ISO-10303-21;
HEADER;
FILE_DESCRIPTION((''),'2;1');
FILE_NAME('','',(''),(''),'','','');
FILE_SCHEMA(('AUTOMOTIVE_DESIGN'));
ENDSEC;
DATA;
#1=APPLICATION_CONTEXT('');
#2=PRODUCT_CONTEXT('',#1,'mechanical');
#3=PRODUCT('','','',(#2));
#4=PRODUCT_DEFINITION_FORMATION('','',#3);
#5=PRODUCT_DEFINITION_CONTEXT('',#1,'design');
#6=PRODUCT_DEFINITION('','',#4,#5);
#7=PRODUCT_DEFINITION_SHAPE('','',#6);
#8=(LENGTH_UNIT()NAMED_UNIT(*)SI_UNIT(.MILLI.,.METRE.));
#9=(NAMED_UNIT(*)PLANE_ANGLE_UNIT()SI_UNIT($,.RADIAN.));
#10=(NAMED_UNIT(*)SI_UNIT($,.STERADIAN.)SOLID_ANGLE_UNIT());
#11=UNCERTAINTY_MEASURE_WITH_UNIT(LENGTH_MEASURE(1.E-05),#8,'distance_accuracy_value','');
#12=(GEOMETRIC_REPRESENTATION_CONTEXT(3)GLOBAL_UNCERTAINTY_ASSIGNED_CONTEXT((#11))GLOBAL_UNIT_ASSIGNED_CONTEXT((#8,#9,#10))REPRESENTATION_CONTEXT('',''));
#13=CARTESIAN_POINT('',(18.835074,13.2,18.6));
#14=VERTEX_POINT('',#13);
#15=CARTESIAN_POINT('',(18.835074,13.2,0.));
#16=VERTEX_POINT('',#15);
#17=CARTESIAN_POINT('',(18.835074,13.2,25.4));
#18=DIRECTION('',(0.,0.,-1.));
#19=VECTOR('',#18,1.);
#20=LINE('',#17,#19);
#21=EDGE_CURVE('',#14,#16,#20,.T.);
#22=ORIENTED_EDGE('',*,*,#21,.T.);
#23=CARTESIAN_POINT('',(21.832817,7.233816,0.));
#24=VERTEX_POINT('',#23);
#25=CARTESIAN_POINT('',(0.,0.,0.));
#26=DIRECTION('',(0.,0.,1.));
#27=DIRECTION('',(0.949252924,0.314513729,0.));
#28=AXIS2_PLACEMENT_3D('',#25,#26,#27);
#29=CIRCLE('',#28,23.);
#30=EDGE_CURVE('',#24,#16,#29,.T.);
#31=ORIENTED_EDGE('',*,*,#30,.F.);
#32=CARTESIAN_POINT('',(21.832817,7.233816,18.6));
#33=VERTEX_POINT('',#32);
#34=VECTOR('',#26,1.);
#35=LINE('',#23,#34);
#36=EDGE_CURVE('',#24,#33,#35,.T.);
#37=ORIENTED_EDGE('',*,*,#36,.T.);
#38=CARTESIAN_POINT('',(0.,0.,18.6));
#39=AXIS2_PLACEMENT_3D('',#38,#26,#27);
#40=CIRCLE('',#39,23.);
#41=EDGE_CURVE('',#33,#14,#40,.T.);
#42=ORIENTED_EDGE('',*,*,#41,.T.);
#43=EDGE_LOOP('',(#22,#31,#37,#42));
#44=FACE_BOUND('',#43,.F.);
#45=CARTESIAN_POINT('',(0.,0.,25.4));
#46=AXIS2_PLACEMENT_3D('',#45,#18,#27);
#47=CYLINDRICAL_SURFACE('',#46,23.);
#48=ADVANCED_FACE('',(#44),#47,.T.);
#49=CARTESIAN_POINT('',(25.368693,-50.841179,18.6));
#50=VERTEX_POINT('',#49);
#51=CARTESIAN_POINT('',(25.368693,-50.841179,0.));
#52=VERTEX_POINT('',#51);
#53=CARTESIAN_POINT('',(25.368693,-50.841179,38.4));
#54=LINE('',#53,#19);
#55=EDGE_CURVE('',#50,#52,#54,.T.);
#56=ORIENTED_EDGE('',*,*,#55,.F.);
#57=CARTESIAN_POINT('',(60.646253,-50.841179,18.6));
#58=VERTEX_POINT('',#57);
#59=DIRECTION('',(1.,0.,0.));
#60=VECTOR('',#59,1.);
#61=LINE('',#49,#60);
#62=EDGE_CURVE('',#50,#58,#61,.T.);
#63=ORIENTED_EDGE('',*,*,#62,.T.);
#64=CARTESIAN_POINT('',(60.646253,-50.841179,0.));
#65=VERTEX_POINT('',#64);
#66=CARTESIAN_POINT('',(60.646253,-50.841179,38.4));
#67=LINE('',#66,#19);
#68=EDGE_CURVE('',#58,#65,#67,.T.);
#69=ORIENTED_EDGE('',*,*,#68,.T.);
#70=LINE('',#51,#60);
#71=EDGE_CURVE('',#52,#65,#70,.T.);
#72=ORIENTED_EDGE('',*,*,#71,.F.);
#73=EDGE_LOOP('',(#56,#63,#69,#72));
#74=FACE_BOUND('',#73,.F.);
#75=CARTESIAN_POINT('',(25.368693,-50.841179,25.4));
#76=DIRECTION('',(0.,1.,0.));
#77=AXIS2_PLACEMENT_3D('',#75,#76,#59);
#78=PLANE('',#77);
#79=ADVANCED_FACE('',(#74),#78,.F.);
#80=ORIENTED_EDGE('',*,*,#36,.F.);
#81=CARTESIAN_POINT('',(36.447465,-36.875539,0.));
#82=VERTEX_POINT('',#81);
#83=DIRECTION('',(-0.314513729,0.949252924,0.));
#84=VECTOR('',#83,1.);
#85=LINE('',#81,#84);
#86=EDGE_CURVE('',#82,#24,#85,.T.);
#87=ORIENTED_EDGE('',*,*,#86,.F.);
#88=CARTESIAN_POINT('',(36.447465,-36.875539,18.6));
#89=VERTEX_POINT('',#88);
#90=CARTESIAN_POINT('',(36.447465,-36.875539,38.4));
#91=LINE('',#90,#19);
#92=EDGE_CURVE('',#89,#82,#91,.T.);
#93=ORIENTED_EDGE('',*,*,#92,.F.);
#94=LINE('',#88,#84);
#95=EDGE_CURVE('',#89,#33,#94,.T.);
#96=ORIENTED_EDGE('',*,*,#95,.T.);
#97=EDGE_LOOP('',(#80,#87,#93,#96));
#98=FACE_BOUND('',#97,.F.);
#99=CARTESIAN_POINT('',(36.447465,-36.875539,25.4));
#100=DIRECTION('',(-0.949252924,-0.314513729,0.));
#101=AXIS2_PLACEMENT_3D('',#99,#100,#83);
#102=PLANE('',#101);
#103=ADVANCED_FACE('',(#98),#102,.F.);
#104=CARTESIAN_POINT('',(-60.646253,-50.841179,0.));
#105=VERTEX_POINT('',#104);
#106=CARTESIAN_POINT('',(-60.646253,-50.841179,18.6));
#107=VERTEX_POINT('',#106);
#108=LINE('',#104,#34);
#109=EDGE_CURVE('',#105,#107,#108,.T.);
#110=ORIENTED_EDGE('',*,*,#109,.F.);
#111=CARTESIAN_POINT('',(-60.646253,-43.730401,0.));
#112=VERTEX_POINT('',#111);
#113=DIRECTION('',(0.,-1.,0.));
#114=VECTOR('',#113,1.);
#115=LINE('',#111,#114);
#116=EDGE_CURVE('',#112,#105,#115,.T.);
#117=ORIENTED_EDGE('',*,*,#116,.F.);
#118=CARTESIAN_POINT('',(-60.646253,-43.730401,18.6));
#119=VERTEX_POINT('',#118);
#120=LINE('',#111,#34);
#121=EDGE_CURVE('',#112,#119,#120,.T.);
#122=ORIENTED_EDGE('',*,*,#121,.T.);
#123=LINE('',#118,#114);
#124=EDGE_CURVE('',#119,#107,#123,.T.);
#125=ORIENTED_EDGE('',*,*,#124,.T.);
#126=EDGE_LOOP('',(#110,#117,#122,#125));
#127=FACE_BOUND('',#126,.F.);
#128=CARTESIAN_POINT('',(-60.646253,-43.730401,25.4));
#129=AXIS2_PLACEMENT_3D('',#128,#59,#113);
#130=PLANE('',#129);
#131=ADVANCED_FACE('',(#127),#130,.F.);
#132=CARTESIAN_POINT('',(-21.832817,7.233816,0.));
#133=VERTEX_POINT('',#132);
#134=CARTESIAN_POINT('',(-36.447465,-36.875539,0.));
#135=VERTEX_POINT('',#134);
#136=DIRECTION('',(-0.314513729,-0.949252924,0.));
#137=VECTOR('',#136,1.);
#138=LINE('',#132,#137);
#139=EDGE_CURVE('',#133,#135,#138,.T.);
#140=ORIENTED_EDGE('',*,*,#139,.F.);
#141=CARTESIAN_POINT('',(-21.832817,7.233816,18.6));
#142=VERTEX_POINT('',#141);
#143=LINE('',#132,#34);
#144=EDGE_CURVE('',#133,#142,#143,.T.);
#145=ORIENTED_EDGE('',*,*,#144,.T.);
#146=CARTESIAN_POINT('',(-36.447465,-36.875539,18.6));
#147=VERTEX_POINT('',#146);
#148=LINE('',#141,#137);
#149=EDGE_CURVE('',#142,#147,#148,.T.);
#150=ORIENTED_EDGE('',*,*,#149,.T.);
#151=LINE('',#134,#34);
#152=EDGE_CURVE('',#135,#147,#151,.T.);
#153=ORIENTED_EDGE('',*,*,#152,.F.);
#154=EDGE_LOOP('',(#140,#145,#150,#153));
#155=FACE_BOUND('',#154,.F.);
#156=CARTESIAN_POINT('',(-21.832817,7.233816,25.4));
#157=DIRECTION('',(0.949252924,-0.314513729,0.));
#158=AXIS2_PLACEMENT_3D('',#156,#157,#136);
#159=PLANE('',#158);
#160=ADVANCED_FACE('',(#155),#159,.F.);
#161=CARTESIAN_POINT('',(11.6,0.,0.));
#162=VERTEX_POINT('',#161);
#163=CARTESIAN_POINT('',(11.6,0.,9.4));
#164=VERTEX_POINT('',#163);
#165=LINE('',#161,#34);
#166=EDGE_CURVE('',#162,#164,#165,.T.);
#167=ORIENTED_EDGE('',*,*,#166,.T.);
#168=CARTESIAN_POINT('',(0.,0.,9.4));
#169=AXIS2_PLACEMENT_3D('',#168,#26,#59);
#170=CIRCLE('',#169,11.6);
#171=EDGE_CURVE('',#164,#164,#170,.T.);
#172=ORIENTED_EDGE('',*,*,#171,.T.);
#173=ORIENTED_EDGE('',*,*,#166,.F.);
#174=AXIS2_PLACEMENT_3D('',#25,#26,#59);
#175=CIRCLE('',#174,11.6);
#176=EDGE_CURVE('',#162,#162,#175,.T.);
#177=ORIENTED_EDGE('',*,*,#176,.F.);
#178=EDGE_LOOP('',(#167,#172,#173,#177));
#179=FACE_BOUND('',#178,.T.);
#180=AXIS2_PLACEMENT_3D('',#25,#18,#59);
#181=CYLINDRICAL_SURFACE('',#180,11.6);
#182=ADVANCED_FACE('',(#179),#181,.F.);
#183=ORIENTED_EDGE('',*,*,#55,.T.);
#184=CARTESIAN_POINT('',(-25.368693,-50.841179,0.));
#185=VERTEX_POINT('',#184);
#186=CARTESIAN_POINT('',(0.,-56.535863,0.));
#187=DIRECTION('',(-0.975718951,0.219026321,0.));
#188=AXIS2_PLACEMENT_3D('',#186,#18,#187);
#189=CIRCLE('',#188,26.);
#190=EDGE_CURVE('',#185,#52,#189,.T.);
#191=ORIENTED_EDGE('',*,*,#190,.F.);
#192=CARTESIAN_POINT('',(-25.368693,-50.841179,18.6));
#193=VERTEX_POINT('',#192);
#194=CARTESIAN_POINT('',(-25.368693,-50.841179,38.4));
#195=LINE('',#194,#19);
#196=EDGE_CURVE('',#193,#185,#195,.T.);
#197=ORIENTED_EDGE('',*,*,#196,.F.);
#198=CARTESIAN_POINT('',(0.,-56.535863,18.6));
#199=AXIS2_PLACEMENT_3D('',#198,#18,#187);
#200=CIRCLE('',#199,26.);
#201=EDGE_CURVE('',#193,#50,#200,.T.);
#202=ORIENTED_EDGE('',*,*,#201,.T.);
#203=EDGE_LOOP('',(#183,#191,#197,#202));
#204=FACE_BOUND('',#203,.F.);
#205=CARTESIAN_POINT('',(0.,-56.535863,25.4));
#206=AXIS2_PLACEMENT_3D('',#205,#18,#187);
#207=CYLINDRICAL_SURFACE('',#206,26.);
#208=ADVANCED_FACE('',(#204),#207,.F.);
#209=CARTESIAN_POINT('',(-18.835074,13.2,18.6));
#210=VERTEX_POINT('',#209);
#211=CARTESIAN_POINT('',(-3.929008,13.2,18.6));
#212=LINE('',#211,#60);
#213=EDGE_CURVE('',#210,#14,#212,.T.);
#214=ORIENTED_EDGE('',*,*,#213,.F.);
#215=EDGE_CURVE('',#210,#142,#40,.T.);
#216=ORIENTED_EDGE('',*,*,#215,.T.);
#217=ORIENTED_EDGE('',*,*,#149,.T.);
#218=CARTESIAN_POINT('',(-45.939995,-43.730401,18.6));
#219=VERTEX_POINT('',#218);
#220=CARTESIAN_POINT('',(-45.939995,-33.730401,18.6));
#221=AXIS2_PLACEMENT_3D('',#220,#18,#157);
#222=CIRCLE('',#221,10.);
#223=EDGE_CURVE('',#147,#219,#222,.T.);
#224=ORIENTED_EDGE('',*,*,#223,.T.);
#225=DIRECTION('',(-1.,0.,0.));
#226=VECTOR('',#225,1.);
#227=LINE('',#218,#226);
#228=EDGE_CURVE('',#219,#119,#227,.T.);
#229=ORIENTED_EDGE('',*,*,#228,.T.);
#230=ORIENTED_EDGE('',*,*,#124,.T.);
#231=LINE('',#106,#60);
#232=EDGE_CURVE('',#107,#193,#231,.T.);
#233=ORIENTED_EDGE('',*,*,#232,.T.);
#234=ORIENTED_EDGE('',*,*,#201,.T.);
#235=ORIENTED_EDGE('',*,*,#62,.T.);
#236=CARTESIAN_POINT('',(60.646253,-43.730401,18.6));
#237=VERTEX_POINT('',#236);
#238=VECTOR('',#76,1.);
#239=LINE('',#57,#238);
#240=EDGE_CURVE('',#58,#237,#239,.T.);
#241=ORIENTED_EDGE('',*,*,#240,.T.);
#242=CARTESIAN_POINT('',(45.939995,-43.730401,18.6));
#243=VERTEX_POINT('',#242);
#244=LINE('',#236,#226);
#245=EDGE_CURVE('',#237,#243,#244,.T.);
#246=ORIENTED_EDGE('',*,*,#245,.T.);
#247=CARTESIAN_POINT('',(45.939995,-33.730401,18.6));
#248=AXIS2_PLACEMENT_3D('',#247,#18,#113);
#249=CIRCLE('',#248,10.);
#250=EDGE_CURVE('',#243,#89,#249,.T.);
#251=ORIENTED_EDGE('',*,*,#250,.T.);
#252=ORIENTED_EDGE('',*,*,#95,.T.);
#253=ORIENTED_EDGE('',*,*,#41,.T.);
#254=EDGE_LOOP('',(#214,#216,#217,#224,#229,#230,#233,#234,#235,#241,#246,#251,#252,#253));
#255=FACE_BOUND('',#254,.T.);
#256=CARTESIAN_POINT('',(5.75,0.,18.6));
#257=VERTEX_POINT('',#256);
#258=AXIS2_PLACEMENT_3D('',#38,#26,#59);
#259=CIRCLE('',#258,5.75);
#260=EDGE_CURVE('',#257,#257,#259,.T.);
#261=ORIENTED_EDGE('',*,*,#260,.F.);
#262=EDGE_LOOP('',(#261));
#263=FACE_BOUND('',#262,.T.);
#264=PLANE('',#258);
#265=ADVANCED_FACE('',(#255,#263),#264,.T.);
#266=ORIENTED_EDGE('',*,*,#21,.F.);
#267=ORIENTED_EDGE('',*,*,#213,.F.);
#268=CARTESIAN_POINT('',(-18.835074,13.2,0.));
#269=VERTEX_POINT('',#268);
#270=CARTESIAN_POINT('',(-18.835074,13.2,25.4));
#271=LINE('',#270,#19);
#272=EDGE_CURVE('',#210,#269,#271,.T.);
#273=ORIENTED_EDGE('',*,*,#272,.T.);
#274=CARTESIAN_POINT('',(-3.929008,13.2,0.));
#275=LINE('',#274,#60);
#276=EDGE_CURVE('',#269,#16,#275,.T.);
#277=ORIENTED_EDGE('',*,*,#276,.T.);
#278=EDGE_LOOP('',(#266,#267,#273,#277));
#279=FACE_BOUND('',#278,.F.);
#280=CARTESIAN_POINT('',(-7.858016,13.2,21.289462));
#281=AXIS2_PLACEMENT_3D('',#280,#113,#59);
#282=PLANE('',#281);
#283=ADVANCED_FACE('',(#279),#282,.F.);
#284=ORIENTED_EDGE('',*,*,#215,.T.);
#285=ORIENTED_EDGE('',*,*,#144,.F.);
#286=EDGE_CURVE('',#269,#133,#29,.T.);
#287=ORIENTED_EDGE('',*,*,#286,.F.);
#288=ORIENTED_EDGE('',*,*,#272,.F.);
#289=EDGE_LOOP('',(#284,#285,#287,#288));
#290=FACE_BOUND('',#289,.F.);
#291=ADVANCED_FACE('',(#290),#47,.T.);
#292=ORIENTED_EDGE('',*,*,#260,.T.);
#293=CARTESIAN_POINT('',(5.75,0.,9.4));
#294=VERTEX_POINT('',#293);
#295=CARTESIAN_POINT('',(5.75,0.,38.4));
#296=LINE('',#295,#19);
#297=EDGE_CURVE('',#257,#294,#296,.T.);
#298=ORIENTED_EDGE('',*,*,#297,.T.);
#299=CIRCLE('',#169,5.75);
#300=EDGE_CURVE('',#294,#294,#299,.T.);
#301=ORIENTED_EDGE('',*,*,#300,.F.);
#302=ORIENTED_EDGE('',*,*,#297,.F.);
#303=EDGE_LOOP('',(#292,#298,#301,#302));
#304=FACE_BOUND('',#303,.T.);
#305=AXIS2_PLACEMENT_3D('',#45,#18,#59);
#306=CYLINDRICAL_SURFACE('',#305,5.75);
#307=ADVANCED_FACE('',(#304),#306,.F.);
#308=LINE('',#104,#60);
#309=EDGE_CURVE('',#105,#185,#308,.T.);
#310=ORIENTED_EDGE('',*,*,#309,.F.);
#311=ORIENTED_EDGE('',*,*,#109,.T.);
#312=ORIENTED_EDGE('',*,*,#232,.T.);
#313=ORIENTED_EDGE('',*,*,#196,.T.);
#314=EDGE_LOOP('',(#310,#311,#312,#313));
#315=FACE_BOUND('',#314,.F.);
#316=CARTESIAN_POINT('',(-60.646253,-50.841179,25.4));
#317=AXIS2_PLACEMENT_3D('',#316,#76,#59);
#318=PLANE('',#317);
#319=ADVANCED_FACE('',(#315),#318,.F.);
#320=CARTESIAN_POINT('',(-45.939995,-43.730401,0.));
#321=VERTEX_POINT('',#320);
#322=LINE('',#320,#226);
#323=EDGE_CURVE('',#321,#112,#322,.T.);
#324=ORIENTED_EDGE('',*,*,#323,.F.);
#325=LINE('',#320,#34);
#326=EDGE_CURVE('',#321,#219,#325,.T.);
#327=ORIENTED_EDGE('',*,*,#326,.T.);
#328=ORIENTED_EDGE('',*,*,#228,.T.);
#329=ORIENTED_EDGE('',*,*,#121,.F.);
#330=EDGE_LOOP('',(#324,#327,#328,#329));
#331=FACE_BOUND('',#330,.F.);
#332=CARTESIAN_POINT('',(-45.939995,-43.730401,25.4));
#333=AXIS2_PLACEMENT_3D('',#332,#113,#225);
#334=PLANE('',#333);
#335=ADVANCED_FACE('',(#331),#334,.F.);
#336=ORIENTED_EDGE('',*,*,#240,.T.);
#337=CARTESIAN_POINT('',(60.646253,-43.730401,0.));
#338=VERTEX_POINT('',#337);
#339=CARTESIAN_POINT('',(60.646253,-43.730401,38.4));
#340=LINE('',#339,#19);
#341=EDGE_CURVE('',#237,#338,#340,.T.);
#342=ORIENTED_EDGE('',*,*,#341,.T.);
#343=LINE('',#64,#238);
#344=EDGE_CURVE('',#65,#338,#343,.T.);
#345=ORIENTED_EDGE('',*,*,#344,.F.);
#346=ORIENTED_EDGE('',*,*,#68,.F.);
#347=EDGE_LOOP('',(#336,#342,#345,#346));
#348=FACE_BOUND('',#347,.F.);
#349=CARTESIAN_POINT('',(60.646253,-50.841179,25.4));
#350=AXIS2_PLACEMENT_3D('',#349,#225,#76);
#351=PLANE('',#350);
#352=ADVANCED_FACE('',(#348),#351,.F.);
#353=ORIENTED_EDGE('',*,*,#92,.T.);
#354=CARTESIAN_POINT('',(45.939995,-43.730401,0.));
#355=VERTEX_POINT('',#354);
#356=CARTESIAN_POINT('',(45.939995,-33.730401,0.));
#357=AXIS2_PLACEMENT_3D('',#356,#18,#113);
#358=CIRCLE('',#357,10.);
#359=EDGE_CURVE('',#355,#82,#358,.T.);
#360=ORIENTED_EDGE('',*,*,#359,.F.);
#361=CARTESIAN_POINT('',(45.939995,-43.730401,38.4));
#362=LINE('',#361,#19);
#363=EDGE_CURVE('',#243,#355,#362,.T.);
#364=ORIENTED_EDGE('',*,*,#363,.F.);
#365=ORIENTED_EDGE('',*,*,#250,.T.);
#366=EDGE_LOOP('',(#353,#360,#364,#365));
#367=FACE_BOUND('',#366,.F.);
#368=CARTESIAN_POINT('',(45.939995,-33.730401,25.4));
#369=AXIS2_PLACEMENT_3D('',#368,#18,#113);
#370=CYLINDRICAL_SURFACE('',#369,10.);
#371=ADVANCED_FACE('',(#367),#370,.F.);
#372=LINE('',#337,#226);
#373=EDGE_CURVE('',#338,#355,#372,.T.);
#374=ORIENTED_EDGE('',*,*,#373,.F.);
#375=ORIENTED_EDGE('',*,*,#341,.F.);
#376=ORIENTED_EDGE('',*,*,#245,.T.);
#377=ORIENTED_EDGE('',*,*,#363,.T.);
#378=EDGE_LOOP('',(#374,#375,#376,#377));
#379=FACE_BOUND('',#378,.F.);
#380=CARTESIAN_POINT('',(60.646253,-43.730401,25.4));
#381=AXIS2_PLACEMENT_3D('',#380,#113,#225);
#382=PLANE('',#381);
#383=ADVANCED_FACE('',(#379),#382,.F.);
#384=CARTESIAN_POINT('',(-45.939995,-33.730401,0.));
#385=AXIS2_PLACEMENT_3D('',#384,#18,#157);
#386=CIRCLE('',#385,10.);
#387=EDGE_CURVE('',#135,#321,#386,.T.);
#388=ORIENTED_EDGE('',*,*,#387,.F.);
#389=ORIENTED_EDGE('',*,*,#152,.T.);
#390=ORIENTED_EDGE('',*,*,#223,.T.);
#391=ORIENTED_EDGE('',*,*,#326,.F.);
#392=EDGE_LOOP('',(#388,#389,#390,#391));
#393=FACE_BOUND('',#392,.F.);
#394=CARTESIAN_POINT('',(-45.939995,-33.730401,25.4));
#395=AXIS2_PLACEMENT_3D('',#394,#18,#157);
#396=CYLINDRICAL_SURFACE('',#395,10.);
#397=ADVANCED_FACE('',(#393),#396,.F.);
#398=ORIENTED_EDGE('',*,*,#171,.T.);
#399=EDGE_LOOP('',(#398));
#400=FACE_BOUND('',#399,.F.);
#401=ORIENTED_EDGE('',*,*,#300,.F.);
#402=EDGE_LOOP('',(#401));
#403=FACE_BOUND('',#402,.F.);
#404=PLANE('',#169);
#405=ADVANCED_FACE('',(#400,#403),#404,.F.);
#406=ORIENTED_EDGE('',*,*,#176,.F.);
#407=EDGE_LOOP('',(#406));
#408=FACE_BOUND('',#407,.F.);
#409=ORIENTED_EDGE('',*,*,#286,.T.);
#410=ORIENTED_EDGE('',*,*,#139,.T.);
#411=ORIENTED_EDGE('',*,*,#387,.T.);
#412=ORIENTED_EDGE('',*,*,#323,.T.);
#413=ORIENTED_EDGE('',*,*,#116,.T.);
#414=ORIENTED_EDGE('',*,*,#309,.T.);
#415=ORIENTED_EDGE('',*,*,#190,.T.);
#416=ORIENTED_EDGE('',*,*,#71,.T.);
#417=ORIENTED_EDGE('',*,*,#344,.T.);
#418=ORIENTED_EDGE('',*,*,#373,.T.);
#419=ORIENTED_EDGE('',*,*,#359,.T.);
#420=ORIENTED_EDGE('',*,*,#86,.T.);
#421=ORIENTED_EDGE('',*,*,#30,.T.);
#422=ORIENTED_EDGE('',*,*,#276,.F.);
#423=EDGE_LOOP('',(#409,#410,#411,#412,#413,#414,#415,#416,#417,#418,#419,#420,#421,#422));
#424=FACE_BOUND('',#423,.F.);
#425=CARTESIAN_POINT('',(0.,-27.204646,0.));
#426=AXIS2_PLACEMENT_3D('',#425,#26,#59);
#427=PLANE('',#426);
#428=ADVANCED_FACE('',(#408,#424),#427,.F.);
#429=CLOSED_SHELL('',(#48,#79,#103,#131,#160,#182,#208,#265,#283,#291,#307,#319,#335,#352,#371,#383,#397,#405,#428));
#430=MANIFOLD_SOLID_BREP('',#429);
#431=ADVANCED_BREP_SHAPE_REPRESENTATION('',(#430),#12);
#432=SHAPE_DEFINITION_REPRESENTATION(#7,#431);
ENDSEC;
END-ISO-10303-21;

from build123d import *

# Parameters (mm, degrees)
F0_R      = 11.6
F1_DEPTH  = 25.4
F2_R      = 11.6
F2_R_2    = 5.75
F3_DEPTH  = 16
F4_R      = 2.6054950693
F5_DEPTH  = 25
F6_DEPTH  = 13
F7_DEPTH  = 13
F8_DEPTH  = 25
F10_START = -13.2
F9_W      = 101.4740765095
F9_H      = 163.1420962512
F10_DEPTH = 15.6
F11_DEPTH = 19.8


with BuildPart() as f1:
    # F0 (on Top) → F1 (new body)
    with BuildSketch(Plane.XY):
        with BuildLine():
            Line((36.4474654198, -36.875538528), (21.8328172584, 7.2338157676))
            ThreePointArc((21.8328172584, 7.2338157676), (0, 23), (-21.8328172584, 7.2338157676))
            Line((-21.8328172584, 7.2338157676), (-36.4474654198, -36.875538528))
            ThreePointArc((-36.4474654198, -36.875538528), (-40.0855678291, -41.8375392315), (-45.9399946626, -43.7304012377))
            Line((-45.9399946626, -43.7304012377), (-60.6462528196, -43.7304012377))
            Line((-60.6462528196, -43.7304012377), (-60.6462528196, -50.8411786739))
            Line((-60.6462528196, -50.8411786739), (-25.3686927199, -50.8411786739))
            ThreePointArc((-25.3686927199, -50.8411786739), (0, -30.5358630094), (25.3686927199, -50.8411786739))
            Line((25.3686927199, -50.8411786739), (60.6462528196, -50.8411786739))
            Line((60.6462528196, -50.8411786739), (60.6462528196, -43.7304012377))
            Line((60.6462528196, -43.7304012377), (45.9399946626, -43.7304012377))
            ThreePointArc((45.9399946626, -43.7304012377), (40.0855678291, -41.8375392315), (36.4474654198, -36.875538528))
        make_face()
        Circle(F0_R, mode=Mode.SUBTRACT)
    extrude(amount=F1_DEPTH)

    # F2 (on face) → F3 (join)
    with BuildSketch(Plane.XY.offset(25.4)):
        Circle(F2_R)
        Circle(F2_R_2, mode=Mode.SUBTRACT)
    extrude(amount=-F3_DEPTH)

    # F4 (on face) → F5 (cut)
    with BuildSketch(Plane(origin=(0, -43.7304012377, 0), x_dir=(-1, 0, 0), z_dir=(0, 1, 0))):
        with Locations((-53.2931237411, 12.7)):
            Circle(F4_R)
        with Locations((53.2931237411, 12.7)):
            Circle(F4_R)
    extrude(amount=-F5_DEPTH, mode=Mode.SUBTRACT)

    # F2 (on face) → F6 (join)
    with BuildSketch(Plane.XY.offset(25.4)):
        with BuildLine():
            Line((-60.6462528196, -50.8411786739), (-25.3686927199, -50.8411786739))
            ThreePointArc((-25.3686927199, -50.8411786739), (0, -30.5358630094), (25.3686927199, -50.8411786739))
            Line((25.3686927199, -50.8411786739), (60.6462528196, -50.8411786739))
            Line((60.6462528196, -50.8411786739), (60.6462528196, -43.7304012377))
            Line((60.6462528196, -43.7304012377), (45.9399946626, -43.7304012377))
            ThreePointArc((45.9399946626, -43.7304012377), (40.0855678291, -41.8375392315), (36.4474654198, -36.875538528))
            Line((36.4474654198, -36.875538528), (21.8328172584, 7.2338157676))
            ThreePointArc((21.8328172584, 7.2338157676), (0, 23), (-21.8328172584, 7.2338157676))
            Line((-21.8328172584, 7.2338157676), (-36.4474654198, -36.875538528))
            ThreePointArc((-36.4474654198, -36.875538528), (-40.0855678291, -41.8375392315), (-45.9399946626, -43.7304012377))
            Line((-45.9399946626, -43.7304012377), (-60.6462528196, -43.7304012377))
            Line((-60.6462528196, -43.7304012377), (-60.6462528196, -50.8411786739))
        make_face()
        Circle(F2_R, mode=Mode.SUBTRACT)
    extrude(amount=F6_DEPTH)

    # F2 (on face) → F7 (join, through all)
    with BuildSketch(Plane.XY.offset(25.4)):
        Circle(F2_R)
        Circle(F2_R_2, mode=Mode.SUBTRACT)
    extrude(amount=F7_DEPTH)

    # F0 (on Top) → F8 (join)
    with BuildSketch(Plane.XY):
        with BuildLine():
            Line((36.4474654198, -36.875538528), (21.8328172584, 7.2338157676))
            ThreePointArc((21.8328172584, 7.2338157676), (0, 23), (-21.8328172584, 7.2338157676))
            Line((-21.8328172584, 7.2338157676), (-36.4474654198, -36.875538528))
            ThreePointArc((-36.4474654198, -36.875538528), (-40.0855678291, -41.8375392315), (-45.9399946626, -43.7304012377))
            Line((-45.9399946626, -43.7304012377), (-60.6462528196, -43.7304012377))
            Line((-60.6462528196, -43.7304012377), (-60.6462528196, -50.8411786739))
            Line((-60.6462528196, -50.8411786739), (-25.3686927199, -50.8411786739))
            ThreePointArc((-25.3686927199, -50.8411786739), (0, -30.5358630094), (25.3686927199, -50.8411786739))
            Line((25.3686927199, -50.8411786739), (60.6462528196, -50.8411786739))
            Line((60.6462528196, -50.8411786739), (60.6462528196, -43.7304012377))
            Line((60.6462528196, -43.7304012377), (45.9399946626, -43.7304012377))
            ThreePointArc((45.9399946626, -43.7304012377), (40.0855678291, -41.8375392315), (36.4474654198, -36.875538528))
        make_face()
        Circle(F0_R, mode=Mode.SUBTRACT)
    extrude(amount=F8_DEPTH)

    # F9 (on Front) → F10 (cut)
    with BuildSketch(Plane.XZ.offset(F10_START)):
        with Locations((-7.8580155969, 21.2894622236)):
            Rectangle(F9_W, F9_H)
    extrude(amount=-F10_DEPTH, mode=Mode.SUBTRACT)

    # F11 (cut): a face of the model
    f11_faces = [f1.faces().sort_by_distance(p)[0] for p in [
        (0, -21.0137412442, 38.4),
    ]]
    extrude(f11_faces, amount=-F11_DEPTH, mode=Mode.SUBTRACT)


solid = f1.part
